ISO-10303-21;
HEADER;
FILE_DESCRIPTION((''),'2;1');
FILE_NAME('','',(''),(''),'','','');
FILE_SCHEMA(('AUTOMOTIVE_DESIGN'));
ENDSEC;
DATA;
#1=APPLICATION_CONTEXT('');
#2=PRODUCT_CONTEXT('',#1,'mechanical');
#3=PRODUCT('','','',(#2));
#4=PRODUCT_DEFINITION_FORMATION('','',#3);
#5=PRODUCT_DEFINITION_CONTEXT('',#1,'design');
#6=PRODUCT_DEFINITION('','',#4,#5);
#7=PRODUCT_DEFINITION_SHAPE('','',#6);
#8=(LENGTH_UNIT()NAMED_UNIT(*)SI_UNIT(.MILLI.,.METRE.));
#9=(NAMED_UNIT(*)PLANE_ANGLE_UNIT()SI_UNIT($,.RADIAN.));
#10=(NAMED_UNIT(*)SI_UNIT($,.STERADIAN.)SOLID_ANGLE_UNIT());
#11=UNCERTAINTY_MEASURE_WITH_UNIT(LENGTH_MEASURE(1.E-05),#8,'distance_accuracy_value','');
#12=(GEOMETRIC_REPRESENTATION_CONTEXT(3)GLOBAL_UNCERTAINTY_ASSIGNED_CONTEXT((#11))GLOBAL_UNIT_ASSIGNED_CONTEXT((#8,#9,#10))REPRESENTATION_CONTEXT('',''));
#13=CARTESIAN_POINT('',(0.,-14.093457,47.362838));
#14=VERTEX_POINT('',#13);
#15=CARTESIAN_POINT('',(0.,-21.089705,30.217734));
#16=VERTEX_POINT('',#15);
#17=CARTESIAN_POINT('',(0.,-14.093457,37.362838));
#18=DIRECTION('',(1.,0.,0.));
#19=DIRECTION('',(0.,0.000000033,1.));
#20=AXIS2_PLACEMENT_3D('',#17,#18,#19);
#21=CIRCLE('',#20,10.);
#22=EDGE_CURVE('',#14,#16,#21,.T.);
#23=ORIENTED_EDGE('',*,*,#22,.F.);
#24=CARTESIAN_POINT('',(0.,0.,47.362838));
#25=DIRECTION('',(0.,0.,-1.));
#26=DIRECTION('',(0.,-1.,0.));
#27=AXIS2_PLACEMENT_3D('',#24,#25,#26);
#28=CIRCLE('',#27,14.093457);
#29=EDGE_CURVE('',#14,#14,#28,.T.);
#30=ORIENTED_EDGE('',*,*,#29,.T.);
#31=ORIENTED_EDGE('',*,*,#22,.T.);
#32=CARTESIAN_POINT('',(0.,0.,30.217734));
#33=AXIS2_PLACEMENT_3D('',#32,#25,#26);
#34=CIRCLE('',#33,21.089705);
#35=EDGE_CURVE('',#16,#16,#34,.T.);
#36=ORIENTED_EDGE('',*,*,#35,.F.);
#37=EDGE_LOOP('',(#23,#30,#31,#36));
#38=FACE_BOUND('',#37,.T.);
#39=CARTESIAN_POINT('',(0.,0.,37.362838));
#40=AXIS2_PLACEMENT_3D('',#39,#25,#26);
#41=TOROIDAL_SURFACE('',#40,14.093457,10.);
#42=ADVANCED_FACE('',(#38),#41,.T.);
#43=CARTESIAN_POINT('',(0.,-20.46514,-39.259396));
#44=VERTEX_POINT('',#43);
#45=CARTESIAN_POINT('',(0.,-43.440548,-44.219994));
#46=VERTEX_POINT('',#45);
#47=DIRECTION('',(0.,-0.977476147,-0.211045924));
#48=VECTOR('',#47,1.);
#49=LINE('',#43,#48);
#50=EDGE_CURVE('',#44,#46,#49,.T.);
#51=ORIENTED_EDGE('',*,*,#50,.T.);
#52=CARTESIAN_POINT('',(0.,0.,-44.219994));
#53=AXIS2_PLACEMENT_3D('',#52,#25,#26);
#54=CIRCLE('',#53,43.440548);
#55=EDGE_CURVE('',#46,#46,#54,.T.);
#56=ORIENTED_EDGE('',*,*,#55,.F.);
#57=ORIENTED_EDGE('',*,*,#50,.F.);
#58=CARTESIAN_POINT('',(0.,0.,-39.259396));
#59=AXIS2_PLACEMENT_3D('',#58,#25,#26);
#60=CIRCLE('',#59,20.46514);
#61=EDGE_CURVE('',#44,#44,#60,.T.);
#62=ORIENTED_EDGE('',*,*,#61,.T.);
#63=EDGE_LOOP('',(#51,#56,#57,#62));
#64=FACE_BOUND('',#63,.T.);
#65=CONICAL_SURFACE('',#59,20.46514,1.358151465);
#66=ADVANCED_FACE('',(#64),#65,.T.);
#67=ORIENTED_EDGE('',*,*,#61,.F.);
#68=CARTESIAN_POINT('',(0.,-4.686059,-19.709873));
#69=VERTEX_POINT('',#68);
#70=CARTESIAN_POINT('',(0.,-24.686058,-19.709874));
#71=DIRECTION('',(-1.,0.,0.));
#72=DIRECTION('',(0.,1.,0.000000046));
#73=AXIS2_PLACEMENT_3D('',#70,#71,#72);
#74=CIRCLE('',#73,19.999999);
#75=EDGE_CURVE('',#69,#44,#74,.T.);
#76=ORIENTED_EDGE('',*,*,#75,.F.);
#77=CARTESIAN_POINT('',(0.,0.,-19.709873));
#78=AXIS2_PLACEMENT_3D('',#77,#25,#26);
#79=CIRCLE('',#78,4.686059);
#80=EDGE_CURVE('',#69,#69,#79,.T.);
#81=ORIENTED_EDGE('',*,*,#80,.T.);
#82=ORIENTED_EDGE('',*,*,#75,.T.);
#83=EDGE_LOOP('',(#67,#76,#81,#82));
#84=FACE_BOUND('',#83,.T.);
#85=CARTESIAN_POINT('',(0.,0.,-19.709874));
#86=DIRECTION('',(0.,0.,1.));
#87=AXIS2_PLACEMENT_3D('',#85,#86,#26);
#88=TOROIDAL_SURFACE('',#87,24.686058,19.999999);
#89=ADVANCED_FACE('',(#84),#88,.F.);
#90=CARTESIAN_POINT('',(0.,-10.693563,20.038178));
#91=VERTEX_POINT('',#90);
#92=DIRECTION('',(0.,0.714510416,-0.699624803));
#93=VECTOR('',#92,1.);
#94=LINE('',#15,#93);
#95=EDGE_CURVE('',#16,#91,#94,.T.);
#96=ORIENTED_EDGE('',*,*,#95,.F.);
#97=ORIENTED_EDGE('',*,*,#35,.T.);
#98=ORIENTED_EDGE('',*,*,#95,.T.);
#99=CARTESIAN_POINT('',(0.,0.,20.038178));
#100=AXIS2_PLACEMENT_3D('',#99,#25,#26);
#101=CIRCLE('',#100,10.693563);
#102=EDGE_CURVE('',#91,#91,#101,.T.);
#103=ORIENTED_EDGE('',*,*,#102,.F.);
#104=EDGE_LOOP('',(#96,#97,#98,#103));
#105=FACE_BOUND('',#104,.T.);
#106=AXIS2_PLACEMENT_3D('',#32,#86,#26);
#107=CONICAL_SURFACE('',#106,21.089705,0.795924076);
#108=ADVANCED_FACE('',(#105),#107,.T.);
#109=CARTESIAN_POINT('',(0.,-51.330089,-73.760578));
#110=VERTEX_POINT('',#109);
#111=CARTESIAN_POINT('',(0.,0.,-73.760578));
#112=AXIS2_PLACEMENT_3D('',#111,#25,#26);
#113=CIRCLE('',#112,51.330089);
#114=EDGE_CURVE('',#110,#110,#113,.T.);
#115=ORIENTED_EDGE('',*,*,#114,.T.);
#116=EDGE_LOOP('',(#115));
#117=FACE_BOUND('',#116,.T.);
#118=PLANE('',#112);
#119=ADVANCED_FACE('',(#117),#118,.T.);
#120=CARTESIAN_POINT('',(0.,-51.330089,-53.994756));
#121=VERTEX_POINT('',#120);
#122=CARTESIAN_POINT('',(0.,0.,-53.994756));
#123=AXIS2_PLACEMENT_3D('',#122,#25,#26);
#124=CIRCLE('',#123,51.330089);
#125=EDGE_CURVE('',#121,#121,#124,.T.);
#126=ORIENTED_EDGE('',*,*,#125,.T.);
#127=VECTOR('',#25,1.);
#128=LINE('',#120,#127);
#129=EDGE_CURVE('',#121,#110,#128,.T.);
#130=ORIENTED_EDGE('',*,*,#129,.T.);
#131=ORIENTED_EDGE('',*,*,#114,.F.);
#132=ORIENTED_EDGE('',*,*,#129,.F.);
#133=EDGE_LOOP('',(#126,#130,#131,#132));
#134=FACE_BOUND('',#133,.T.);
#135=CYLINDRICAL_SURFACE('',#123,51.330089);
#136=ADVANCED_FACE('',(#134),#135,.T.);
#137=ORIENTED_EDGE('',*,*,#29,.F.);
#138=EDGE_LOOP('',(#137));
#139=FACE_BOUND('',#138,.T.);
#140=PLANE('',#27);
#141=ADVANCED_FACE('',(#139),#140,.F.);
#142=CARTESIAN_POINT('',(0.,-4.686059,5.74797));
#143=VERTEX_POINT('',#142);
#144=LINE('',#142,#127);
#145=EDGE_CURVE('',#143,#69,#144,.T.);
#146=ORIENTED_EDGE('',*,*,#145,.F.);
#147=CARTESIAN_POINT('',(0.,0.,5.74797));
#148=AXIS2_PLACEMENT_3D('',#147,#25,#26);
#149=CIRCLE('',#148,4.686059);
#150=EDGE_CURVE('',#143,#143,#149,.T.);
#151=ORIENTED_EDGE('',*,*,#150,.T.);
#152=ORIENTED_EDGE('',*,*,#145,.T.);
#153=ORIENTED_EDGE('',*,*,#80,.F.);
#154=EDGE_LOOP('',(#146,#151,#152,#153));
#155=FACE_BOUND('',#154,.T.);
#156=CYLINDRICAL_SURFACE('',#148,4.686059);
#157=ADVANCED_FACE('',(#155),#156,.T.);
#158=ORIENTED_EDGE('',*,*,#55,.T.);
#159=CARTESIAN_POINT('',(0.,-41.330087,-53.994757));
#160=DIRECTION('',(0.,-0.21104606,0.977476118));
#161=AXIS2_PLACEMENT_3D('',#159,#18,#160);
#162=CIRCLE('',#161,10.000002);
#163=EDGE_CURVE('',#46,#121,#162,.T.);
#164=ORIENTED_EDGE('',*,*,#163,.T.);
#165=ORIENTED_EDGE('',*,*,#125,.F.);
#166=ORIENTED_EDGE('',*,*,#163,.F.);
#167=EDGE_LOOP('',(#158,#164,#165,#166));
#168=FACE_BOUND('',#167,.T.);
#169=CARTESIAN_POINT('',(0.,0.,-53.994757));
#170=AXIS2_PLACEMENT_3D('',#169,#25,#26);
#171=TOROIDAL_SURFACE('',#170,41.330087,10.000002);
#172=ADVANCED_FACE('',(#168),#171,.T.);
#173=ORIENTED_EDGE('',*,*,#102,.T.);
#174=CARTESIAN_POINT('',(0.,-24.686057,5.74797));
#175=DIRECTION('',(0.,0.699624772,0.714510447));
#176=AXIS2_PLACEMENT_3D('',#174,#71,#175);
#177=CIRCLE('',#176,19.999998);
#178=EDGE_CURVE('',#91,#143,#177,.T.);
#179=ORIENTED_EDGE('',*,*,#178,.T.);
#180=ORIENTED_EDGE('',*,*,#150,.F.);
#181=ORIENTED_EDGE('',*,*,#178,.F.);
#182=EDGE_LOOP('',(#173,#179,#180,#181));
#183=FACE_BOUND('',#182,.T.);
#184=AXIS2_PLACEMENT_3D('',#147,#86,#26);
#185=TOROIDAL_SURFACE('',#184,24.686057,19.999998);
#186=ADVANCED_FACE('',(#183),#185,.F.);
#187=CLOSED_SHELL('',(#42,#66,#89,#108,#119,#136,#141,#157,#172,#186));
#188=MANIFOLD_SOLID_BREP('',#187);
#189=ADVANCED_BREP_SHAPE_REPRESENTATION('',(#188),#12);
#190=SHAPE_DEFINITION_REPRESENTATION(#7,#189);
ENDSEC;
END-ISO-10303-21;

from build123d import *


with BuildPart() as f1:
    # F0 (on Right) → F1 (revolve)
    with BuildSketch(Plane.YZ):
        with BuildLine():
            Line((-51.330089, -73.760578), (0, -73.760578))
            Line((0, -73.760578), (0, 47.362838))
            Line((0, 47.362838), (-14.093457, 47.362838))
            ThreePointArc((-14.093457, 47.362838), (-23.352265, 41.140996), (-21.089705, 30.217734))
            Line((-21.089705, 30.217734), (-10.693563, 20.038178))
            ThreePointArc((-10.693563, 20.038178), (-6.249005, 13.498779), (-4.686059, 5.74797))
            Line((-4.686059, 5.74797), (-4.686059, -19.709873))
            ThreePointArc((-4.686059, -19.709873), (-9.122987, -32.271354), (-20.46514, -39.259396))
            Line((-20.46514, -39.259396), (-43.440548, -44.219994))
            ThreePointArc((-43.440548, -44.219994), (-49.111624, -47.714015), (-51.330089, -53.994756))
            Line((-51.330089, -53.994756), (-51.330089, -73.760578))
        make_face()
    revolve(axis=Axis((0, 0, -13.19887), (0, 0, -1)))


solid = f1.part
